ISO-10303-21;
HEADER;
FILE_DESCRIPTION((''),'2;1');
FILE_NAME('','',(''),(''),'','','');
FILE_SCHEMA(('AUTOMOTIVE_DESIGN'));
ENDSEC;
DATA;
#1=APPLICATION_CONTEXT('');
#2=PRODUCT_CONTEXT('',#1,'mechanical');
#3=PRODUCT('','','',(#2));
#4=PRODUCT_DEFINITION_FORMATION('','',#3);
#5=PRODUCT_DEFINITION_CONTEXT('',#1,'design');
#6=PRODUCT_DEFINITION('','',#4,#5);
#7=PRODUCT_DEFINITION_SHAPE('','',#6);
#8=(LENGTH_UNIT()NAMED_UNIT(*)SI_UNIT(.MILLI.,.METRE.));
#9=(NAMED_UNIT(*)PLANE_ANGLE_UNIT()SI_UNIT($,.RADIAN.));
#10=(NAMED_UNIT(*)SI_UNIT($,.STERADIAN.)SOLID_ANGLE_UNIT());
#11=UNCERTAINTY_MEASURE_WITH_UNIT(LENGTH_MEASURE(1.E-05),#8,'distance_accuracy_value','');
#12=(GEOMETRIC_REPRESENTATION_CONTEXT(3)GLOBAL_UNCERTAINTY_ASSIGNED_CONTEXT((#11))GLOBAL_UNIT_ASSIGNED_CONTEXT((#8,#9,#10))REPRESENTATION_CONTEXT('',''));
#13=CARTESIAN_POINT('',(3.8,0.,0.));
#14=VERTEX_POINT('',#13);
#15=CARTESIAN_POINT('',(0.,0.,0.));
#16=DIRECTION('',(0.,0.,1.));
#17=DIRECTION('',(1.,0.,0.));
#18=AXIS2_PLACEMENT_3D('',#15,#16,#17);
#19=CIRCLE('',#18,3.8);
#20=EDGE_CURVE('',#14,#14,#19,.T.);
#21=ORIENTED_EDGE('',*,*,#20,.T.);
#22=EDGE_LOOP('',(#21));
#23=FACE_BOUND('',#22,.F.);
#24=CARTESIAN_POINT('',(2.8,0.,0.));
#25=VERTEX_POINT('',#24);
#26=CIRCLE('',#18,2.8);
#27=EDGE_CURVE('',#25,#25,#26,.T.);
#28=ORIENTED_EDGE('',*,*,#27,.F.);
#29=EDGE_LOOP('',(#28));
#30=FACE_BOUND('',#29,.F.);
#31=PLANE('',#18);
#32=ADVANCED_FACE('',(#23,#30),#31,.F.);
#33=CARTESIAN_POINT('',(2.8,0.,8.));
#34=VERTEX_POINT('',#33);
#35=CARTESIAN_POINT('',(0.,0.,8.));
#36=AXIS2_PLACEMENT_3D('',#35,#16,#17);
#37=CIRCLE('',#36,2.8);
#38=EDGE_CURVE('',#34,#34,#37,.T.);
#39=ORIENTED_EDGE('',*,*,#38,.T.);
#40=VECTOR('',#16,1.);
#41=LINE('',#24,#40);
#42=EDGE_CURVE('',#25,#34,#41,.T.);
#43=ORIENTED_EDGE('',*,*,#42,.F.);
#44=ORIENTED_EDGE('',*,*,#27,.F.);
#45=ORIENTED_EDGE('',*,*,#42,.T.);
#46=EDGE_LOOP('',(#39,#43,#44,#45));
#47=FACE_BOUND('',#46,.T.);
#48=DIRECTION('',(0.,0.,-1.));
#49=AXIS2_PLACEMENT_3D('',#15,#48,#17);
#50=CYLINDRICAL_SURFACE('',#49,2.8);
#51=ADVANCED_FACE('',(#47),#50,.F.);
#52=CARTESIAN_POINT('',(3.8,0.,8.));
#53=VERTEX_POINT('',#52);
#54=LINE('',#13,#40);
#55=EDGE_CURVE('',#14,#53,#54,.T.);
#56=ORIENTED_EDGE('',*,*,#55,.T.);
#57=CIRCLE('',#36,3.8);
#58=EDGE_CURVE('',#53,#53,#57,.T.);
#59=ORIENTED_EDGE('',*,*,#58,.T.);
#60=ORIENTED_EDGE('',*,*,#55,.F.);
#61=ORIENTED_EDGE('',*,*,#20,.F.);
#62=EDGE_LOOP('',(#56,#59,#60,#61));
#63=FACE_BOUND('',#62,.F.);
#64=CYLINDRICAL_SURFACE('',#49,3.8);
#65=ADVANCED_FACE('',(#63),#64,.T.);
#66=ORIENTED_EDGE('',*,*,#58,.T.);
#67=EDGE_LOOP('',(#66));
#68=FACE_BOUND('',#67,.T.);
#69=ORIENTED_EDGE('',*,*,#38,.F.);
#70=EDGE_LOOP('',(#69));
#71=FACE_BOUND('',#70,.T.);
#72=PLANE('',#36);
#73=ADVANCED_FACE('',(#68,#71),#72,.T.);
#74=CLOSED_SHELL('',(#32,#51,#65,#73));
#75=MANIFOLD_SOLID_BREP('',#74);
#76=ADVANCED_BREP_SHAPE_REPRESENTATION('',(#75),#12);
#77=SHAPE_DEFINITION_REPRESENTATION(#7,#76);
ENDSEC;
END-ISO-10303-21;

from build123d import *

# Parameters (mm, degrees)
SKETCH_R   = 3.8
SKETCH_R_2 = 2.8
PAD_DEPTH  = 8


with BuildPart() as part:
    # Sketch → Pad (new body)
    with BuildSketch(Plane.XY):
        Circle(SKETCH_R)
        Circle(SKETCH_R_2, mode=Mode.SUBTRACT)
    extrude(amount=PAD_DEPTH)


solid = part.part
